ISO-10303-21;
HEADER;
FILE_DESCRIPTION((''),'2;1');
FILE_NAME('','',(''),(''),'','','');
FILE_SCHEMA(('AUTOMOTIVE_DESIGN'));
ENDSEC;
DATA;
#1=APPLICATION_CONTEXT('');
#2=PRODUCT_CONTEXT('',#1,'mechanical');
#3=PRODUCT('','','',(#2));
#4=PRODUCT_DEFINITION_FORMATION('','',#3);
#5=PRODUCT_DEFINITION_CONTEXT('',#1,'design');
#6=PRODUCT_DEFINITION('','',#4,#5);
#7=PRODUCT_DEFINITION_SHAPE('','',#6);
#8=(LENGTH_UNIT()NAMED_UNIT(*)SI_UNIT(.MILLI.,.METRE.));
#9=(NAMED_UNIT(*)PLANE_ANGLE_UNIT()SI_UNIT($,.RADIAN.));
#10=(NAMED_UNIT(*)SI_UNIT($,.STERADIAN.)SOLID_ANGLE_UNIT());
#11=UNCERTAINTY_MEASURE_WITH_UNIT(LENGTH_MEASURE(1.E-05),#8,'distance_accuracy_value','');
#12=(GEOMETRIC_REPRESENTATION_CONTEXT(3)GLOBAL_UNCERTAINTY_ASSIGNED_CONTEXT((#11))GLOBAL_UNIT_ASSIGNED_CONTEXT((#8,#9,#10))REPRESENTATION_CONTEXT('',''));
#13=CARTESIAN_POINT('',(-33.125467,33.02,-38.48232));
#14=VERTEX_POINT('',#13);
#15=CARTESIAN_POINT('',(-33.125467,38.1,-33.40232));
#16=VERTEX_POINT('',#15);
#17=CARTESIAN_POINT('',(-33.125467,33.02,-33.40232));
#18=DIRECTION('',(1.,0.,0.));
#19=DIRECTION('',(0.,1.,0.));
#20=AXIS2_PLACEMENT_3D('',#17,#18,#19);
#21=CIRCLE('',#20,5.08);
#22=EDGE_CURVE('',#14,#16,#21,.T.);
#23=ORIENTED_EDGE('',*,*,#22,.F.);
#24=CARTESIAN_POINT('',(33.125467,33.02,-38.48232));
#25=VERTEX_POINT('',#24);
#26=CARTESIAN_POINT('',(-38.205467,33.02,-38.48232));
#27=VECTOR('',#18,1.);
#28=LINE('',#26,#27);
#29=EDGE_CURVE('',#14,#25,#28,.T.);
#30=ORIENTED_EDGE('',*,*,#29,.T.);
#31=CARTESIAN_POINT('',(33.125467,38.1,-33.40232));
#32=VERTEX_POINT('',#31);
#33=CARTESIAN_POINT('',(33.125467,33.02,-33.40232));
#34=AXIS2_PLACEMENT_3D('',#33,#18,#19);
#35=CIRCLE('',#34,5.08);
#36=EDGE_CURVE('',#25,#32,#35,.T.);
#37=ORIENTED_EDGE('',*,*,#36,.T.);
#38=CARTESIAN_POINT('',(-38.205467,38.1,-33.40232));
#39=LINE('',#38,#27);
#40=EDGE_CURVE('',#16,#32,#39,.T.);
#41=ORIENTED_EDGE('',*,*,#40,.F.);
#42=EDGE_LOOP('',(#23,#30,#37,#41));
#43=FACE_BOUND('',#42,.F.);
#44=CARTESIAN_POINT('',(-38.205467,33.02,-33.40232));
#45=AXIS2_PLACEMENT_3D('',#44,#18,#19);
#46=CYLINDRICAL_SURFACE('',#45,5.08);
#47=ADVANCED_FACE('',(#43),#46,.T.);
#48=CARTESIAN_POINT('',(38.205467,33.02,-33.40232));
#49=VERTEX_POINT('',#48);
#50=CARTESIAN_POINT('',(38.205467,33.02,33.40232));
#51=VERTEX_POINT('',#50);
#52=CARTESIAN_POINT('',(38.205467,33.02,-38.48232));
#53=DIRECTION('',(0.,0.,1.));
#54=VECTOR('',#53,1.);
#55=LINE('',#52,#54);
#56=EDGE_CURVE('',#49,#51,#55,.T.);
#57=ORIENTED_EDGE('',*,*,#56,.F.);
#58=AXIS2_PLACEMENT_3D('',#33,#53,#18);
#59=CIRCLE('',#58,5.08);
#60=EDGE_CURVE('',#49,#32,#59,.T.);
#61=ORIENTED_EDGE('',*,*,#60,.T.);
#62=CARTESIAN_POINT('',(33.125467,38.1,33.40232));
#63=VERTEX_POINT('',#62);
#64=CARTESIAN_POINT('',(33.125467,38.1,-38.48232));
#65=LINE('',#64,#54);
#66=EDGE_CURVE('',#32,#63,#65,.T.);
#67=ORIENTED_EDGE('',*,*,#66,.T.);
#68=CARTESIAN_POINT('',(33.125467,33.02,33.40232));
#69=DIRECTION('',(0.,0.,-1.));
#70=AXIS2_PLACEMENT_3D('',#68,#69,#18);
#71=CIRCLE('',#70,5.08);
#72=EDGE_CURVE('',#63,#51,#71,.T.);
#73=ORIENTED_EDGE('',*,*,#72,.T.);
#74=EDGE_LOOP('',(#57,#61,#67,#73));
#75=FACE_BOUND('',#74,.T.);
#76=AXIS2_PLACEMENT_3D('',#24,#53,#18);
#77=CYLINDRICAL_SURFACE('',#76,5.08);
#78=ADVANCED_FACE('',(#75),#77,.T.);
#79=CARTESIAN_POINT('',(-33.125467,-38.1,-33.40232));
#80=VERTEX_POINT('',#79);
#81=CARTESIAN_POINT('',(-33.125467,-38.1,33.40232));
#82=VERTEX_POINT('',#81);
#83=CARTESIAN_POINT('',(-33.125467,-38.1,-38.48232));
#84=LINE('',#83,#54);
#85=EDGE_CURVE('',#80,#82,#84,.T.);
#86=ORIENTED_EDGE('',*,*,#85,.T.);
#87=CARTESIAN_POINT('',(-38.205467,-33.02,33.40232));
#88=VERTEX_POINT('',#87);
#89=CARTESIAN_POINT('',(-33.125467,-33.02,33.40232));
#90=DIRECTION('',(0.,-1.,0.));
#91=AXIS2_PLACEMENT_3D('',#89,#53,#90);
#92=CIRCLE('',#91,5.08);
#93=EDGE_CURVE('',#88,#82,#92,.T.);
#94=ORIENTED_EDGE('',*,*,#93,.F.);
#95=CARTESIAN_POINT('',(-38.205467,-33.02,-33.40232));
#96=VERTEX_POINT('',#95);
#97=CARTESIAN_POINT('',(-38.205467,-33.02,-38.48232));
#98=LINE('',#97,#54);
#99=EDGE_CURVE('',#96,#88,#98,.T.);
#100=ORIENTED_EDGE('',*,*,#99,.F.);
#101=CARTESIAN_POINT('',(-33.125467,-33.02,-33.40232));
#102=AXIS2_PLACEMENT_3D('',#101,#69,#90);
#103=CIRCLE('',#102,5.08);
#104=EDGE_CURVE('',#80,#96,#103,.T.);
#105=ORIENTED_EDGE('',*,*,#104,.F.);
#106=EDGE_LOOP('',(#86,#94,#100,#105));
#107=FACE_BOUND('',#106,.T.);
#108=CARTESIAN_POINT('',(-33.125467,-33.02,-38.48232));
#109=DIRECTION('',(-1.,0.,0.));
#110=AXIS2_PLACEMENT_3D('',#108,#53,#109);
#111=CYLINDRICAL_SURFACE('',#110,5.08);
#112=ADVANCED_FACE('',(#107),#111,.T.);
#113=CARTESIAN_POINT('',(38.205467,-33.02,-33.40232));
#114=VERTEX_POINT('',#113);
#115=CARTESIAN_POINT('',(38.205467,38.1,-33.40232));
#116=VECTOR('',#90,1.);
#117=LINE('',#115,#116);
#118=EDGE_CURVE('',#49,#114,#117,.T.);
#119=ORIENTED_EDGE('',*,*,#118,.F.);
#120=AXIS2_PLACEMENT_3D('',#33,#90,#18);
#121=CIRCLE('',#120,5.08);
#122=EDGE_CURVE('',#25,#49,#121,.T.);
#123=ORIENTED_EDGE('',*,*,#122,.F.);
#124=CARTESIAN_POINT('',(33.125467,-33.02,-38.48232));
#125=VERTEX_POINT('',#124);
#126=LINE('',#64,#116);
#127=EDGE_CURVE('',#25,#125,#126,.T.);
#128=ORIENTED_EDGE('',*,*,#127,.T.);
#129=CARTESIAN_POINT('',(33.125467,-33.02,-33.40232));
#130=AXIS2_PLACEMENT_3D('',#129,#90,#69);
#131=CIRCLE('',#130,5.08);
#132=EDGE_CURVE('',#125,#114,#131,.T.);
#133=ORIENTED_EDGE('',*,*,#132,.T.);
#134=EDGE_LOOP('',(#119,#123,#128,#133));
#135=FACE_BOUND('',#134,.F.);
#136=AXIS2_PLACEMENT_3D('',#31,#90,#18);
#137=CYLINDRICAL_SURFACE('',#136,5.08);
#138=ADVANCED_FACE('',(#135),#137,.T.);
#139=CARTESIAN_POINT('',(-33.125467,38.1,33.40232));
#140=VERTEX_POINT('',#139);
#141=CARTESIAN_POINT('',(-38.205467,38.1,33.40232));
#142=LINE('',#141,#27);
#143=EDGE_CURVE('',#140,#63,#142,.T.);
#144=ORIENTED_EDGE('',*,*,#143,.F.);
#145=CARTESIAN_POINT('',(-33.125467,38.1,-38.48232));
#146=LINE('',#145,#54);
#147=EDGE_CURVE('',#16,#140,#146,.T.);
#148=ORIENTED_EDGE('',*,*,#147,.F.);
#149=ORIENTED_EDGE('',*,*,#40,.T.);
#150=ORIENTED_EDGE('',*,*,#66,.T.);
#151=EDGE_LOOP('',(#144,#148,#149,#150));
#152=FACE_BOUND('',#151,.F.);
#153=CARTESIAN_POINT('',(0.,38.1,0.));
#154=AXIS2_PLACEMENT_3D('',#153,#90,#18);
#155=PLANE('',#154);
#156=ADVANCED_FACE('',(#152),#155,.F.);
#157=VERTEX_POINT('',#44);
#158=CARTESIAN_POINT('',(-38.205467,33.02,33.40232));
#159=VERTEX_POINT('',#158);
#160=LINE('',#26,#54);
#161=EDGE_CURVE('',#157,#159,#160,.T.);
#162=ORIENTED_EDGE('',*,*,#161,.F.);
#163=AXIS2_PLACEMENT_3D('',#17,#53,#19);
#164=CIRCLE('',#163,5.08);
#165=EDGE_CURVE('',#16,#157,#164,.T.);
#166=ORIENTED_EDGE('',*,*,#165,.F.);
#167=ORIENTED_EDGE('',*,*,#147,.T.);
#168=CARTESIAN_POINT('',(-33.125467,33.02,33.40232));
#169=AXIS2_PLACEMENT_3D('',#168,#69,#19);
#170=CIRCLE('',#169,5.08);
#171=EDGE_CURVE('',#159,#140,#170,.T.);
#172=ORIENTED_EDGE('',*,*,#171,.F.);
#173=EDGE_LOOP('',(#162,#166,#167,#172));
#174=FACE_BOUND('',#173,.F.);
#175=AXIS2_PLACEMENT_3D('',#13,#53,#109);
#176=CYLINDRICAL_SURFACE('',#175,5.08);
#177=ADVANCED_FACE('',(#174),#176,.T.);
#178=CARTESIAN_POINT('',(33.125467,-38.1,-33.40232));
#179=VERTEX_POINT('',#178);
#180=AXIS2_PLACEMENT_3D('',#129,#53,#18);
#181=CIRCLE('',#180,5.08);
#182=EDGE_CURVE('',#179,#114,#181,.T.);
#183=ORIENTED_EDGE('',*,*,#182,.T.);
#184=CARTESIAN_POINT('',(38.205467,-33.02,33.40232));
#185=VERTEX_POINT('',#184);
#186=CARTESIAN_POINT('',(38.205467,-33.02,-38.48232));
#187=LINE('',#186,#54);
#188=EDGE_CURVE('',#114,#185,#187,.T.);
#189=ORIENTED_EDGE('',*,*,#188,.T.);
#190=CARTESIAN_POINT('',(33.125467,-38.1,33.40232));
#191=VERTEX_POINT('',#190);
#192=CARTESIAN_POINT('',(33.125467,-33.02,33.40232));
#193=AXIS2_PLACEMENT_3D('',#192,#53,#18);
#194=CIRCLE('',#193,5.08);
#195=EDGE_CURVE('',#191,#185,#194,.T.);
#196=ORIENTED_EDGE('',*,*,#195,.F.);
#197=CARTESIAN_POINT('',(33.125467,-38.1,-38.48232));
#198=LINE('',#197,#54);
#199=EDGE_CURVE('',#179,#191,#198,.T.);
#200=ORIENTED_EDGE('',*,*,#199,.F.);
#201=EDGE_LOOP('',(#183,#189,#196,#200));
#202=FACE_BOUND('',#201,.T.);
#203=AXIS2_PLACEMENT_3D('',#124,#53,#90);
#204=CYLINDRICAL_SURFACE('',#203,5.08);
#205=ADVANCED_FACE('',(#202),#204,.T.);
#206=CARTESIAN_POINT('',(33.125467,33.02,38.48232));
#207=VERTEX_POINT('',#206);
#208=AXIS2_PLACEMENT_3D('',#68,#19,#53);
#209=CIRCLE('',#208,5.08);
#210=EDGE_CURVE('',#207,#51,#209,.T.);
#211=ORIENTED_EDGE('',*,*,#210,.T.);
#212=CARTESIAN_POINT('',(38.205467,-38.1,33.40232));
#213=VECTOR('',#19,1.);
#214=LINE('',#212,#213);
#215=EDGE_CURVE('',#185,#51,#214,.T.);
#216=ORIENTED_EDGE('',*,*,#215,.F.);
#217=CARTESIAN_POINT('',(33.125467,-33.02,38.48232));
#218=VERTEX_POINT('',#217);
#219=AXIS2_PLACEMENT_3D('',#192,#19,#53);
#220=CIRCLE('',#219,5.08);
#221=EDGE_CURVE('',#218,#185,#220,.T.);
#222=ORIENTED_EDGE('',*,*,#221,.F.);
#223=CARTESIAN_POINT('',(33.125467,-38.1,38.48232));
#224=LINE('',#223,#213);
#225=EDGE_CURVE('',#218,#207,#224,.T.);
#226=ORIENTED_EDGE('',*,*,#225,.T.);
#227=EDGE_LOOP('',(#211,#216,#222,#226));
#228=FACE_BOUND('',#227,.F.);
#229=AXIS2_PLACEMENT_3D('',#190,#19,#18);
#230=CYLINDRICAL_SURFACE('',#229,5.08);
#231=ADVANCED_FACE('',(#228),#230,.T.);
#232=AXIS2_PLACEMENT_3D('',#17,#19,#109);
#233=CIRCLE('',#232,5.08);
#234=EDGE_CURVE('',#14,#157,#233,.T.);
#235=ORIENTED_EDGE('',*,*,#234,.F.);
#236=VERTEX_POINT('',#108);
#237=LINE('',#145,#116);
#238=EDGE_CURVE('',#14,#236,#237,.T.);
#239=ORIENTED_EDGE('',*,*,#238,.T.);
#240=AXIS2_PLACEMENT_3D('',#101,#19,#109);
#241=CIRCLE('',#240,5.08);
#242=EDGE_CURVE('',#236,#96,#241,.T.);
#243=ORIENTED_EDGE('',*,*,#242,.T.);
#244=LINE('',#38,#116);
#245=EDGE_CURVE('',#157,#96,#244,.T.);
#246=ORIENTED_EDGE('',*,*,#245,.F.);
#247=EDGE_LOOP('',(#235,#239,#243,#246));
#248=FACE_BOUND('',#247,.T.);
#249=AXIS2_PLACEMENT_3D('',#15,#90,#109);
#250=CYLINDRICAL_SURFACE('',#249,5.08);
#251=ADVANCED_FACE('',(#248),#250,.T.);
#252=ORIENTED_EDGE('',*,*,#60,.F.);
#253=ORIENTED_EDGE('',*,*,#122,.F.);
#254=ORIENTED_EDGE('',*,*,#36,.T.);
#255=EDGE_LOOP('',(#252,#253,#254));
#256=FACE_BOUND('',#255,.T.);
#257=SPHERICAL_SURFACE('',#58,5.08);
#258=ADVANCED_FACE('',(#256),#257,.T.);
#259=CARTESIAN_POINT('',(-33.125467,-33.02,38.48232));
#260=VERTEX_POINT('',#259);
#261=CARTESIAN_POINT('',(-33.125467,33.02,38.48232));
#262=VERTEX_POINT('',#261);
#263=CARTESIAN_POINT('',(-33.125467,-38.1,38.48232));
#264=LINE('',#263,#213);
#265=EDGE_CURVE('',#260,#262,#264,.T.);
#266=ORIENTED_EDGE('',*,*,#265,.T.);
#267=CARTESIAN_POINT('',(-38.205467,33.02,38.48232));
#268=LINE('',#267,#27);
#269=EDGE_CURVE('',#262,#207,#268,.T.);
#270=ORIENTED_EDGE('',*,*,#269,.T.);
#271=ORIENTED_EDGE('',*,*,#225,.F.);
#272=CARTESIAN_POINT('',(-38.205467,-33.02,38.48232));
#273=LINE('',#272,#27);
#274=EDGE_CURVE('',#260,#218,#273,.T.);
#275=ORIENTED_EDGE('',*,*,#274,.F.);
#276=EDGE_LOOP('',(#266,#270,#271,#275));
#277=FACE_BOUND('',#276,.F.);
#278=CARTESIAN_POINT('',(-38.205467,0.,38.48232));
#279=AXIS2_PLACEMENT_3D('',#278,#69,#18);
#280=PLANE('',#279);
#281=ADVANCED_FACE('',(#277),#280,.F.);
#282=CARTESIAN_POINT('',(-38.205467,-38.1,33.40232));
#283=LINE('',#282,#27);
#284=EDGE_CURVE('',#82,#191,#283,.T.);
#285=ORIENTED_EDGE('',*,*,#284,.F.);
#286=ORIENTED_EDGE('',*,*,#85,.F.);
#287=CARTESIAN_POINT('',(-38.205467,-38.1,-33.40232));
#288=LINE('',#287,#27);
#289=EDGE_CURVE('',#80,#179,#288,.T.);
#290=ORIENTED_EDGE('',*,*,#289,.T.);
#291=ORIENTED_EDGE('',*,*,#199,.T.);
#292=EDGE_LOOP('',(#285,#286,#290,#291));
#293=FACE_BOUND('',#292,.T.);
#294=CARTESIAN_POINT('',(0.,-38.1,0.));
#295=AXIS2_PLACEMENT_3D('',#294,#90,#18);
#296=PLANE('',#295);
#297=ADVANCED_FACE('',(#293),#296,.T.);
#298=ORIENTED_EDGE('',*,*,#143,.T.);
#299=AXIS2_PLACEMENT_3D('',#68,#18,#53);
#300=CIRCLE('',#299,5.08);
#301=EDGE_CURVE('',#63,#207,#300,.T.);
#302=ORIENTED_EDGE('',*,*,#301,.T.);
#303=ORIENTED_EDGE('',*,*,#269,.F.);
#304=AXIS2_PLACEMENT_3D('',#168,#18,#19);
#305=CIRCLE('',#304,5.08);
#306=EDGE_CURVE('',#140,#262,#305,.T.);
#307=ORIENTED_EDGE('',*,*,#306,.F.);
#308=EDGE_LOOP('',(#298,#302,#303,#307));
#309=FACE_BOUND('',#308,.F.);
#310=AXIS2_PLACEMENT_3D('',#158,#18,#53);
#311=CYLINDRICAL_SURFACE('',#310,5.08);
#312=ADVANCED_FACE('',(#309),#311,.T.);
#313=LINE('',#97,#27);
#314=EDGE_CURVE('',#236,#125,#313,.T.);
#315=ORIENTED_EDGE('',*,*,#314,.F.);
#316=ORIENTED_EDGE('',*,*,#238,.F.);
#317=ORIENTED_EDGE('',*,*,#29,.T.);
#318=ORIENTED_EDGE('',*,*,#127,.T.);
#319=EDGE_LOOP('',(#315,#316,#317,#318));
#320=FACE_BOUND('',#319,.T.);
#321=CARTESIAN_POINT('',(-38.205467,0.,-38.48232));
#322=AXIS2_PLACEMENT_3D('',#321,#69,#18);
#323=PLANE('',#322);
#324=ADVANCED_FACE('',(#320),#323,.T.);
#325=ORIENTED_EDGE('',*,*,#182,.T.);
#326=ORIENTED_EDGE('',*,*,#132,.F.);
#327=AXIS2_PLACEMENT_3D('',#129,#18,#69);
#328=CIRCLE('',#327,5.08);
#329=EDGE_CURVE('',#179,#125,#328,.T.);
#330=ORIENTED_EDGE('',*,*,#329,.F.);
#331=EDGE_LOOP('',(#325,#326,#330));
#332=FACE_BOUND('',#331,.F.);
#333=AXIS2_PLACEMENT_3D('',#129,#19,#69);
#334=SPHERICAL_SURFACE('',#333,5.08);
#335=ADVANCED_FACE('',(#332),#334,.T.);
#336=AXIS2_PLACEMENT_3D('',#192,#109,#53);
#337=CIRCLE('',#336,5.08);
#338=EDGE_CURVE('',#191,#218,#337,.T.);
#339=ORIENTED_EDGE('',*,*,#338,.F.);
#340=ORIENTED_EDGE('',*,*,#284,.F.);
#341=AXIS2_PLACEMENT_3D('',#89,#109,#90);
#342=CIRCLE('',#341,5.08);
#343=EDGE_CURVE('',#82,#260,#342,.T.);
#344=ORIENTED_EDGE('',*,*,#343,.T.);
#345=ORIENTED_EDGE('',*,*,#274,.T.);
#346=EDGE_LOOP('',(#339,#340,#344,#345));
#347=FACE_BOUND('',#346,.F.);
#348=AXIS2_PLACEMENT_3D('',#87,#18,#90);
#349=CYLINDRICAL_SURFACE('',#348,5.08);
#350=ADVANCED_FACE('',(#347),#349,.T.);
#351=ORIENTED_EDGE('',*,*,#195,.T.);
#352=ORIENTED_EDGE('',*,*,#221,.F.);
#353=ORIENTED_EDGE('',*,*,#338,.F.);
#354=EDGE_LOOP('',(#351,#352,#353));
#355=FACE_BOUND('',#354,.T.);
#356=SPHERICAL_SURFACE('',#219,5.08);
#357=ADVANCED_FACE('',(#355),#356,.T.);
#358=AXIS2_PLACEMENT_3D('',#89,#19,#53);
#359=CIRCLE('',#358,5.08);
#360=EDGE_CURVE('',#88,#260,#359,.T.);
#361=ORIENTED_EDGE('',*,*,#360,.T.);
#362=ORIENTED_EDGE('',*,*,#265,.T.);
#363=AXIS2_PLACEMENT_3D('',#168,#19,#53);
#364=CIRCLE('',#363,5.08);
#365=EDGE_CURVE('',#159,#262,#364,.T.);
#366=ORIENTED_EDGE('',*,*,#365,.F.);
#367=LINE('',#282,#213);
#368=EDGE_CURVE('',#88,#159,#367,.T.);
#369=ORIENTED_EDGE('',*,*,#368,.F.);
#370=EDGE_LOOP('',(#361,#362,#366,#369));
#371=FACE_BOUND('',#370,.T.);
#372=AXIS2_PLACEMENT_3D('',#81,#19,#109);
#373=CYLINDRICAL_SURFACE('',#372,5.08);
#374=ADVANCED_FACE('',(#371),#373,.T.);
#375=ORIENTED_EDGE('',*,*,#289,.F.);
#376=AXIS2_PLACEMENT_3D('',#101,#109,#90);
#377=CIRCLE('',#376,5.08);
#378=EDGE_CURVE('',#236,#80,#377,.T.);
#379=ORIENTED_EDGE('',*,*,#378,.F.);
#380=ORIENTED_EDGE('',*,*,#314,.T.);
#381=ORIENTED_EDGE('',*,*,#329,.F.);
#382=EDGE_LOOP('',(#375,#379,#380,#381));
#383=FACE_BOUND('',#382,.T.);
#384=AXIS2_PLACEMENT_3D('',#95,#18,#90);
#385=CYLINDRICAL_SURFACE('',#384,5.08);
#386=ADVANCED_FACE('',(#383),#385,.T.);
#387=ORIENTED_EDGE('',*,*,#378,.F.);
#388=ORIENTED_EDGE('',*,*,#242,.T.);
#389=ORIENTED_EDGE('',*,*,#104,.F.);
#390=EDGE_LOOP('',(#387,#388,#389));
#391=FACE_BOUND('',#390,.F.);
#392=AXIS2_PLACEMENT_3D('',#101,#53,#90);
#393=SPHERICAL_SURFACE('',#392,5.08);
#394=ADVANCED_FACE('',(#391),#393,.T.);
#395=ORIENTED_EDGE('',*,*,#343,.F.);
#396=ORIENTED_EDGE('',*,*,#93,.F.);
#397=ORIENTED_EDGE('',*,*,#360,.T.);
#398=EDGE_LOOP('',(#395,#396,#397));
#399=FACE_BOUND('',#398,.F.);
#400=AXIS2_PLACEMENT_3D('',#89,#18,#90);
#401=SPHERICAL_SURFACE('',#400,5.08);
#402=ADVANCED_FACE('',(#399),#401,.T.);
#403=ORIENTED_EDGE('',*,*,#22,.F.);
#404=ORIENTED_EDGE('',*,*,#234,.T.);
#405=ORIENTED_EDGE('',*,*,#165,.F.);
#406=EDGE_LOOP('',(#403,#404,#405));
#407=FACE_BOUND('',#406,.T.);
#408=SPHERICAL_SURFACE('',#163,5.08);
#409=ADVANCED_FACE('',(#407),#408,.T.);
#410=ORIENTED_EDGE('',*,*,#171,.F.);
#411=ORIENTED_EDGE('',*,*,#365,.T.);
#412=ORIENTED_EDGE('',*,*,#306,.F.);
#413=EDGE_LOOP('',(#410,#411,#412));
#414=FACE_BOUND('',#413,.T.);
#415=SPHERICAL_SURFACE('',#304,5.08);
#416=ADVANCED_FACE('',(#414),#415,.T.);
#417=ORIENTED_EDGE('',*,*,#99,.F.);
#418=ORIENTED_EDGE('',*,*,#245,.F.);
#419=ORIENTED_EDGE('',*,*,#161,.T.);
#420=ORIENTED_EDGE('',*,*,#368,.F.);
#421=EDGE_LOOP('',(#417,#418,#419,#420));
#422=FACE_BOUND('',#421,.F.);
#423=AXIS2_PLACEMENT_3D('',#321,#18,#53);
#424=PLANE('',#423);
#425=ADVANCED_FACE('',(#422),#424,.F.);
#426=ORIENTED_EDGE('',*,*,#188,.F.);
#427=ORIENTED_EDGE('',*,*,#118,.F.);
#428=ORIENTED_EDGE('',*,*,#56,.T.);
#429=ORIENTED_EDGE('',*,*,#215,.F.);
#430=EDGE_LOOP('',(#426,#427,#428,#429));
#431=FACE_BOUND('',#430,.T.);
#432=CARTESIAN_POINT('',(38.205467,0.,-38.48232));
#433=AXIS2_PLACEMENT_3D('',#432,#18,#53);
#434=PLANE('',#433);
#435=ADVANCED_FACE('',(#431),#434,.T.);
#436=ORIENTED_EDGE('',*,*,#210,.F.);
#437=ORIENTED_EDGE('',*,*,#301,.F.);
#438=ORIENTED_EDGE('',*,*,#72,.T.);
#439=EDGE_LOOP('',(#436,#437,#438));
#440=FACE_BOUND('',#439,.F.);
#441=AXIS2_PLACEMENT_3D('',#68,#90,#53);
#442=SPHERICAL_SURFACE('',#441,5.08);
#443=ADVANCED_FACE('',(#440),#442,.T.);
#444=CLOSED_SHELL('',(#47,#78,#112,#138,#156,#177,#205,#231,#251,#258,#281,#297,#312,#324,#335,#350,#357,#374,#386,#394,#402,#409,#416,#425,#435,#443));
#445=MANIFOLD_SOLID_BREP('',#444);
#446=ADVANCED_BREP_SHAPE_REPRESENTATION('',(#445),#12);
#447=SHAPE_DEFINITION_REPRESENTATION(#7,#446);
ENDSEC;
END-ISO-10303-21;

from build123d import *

# Parameters (mm, degrees)
F0_W          = 76.410934
F0_H          = 76.96464
F1_DEPTH      = 38.1
F1_DEPTH_BACK = 38.1
F2_R          = 5.08


with BuildPart() as f1:
    # F0 (on Front) → F1 (new body, two sides)
    with BuildSketch(Plane.XZ) as f1_sk:
        Rectangle(F0_W, F0_H)
    extrude(amount=F1_DEPTH)
    extrude(f1_sk.sketch, amount=-F1_DEPTH_BACK)

    # F2
    f2_edges = [f1.edges().sort_by_distance(p)[0] for p in [
        (38.205467, 0, 38.48232),
        (0, 38.1, 38.48232),
        (38.205467, 38.1, 0),
        (38.205467, 0, -38.48232),
        (-38.205467, 38.1, 0),
        (0, 38.1, -38.48232),
        (0, -38.1, 38.48232),
        (-38.205467, -38.1, 0),
        (0, -38.1, -38.48232),
        (38.205467, -38.1, 0),
        (-38.205467, 0, -38.48232),
        (-38.205467, 0, 38.48232),
    ]]
    fillet(f2_edges, radius=F2_R)


solid = f1.part
